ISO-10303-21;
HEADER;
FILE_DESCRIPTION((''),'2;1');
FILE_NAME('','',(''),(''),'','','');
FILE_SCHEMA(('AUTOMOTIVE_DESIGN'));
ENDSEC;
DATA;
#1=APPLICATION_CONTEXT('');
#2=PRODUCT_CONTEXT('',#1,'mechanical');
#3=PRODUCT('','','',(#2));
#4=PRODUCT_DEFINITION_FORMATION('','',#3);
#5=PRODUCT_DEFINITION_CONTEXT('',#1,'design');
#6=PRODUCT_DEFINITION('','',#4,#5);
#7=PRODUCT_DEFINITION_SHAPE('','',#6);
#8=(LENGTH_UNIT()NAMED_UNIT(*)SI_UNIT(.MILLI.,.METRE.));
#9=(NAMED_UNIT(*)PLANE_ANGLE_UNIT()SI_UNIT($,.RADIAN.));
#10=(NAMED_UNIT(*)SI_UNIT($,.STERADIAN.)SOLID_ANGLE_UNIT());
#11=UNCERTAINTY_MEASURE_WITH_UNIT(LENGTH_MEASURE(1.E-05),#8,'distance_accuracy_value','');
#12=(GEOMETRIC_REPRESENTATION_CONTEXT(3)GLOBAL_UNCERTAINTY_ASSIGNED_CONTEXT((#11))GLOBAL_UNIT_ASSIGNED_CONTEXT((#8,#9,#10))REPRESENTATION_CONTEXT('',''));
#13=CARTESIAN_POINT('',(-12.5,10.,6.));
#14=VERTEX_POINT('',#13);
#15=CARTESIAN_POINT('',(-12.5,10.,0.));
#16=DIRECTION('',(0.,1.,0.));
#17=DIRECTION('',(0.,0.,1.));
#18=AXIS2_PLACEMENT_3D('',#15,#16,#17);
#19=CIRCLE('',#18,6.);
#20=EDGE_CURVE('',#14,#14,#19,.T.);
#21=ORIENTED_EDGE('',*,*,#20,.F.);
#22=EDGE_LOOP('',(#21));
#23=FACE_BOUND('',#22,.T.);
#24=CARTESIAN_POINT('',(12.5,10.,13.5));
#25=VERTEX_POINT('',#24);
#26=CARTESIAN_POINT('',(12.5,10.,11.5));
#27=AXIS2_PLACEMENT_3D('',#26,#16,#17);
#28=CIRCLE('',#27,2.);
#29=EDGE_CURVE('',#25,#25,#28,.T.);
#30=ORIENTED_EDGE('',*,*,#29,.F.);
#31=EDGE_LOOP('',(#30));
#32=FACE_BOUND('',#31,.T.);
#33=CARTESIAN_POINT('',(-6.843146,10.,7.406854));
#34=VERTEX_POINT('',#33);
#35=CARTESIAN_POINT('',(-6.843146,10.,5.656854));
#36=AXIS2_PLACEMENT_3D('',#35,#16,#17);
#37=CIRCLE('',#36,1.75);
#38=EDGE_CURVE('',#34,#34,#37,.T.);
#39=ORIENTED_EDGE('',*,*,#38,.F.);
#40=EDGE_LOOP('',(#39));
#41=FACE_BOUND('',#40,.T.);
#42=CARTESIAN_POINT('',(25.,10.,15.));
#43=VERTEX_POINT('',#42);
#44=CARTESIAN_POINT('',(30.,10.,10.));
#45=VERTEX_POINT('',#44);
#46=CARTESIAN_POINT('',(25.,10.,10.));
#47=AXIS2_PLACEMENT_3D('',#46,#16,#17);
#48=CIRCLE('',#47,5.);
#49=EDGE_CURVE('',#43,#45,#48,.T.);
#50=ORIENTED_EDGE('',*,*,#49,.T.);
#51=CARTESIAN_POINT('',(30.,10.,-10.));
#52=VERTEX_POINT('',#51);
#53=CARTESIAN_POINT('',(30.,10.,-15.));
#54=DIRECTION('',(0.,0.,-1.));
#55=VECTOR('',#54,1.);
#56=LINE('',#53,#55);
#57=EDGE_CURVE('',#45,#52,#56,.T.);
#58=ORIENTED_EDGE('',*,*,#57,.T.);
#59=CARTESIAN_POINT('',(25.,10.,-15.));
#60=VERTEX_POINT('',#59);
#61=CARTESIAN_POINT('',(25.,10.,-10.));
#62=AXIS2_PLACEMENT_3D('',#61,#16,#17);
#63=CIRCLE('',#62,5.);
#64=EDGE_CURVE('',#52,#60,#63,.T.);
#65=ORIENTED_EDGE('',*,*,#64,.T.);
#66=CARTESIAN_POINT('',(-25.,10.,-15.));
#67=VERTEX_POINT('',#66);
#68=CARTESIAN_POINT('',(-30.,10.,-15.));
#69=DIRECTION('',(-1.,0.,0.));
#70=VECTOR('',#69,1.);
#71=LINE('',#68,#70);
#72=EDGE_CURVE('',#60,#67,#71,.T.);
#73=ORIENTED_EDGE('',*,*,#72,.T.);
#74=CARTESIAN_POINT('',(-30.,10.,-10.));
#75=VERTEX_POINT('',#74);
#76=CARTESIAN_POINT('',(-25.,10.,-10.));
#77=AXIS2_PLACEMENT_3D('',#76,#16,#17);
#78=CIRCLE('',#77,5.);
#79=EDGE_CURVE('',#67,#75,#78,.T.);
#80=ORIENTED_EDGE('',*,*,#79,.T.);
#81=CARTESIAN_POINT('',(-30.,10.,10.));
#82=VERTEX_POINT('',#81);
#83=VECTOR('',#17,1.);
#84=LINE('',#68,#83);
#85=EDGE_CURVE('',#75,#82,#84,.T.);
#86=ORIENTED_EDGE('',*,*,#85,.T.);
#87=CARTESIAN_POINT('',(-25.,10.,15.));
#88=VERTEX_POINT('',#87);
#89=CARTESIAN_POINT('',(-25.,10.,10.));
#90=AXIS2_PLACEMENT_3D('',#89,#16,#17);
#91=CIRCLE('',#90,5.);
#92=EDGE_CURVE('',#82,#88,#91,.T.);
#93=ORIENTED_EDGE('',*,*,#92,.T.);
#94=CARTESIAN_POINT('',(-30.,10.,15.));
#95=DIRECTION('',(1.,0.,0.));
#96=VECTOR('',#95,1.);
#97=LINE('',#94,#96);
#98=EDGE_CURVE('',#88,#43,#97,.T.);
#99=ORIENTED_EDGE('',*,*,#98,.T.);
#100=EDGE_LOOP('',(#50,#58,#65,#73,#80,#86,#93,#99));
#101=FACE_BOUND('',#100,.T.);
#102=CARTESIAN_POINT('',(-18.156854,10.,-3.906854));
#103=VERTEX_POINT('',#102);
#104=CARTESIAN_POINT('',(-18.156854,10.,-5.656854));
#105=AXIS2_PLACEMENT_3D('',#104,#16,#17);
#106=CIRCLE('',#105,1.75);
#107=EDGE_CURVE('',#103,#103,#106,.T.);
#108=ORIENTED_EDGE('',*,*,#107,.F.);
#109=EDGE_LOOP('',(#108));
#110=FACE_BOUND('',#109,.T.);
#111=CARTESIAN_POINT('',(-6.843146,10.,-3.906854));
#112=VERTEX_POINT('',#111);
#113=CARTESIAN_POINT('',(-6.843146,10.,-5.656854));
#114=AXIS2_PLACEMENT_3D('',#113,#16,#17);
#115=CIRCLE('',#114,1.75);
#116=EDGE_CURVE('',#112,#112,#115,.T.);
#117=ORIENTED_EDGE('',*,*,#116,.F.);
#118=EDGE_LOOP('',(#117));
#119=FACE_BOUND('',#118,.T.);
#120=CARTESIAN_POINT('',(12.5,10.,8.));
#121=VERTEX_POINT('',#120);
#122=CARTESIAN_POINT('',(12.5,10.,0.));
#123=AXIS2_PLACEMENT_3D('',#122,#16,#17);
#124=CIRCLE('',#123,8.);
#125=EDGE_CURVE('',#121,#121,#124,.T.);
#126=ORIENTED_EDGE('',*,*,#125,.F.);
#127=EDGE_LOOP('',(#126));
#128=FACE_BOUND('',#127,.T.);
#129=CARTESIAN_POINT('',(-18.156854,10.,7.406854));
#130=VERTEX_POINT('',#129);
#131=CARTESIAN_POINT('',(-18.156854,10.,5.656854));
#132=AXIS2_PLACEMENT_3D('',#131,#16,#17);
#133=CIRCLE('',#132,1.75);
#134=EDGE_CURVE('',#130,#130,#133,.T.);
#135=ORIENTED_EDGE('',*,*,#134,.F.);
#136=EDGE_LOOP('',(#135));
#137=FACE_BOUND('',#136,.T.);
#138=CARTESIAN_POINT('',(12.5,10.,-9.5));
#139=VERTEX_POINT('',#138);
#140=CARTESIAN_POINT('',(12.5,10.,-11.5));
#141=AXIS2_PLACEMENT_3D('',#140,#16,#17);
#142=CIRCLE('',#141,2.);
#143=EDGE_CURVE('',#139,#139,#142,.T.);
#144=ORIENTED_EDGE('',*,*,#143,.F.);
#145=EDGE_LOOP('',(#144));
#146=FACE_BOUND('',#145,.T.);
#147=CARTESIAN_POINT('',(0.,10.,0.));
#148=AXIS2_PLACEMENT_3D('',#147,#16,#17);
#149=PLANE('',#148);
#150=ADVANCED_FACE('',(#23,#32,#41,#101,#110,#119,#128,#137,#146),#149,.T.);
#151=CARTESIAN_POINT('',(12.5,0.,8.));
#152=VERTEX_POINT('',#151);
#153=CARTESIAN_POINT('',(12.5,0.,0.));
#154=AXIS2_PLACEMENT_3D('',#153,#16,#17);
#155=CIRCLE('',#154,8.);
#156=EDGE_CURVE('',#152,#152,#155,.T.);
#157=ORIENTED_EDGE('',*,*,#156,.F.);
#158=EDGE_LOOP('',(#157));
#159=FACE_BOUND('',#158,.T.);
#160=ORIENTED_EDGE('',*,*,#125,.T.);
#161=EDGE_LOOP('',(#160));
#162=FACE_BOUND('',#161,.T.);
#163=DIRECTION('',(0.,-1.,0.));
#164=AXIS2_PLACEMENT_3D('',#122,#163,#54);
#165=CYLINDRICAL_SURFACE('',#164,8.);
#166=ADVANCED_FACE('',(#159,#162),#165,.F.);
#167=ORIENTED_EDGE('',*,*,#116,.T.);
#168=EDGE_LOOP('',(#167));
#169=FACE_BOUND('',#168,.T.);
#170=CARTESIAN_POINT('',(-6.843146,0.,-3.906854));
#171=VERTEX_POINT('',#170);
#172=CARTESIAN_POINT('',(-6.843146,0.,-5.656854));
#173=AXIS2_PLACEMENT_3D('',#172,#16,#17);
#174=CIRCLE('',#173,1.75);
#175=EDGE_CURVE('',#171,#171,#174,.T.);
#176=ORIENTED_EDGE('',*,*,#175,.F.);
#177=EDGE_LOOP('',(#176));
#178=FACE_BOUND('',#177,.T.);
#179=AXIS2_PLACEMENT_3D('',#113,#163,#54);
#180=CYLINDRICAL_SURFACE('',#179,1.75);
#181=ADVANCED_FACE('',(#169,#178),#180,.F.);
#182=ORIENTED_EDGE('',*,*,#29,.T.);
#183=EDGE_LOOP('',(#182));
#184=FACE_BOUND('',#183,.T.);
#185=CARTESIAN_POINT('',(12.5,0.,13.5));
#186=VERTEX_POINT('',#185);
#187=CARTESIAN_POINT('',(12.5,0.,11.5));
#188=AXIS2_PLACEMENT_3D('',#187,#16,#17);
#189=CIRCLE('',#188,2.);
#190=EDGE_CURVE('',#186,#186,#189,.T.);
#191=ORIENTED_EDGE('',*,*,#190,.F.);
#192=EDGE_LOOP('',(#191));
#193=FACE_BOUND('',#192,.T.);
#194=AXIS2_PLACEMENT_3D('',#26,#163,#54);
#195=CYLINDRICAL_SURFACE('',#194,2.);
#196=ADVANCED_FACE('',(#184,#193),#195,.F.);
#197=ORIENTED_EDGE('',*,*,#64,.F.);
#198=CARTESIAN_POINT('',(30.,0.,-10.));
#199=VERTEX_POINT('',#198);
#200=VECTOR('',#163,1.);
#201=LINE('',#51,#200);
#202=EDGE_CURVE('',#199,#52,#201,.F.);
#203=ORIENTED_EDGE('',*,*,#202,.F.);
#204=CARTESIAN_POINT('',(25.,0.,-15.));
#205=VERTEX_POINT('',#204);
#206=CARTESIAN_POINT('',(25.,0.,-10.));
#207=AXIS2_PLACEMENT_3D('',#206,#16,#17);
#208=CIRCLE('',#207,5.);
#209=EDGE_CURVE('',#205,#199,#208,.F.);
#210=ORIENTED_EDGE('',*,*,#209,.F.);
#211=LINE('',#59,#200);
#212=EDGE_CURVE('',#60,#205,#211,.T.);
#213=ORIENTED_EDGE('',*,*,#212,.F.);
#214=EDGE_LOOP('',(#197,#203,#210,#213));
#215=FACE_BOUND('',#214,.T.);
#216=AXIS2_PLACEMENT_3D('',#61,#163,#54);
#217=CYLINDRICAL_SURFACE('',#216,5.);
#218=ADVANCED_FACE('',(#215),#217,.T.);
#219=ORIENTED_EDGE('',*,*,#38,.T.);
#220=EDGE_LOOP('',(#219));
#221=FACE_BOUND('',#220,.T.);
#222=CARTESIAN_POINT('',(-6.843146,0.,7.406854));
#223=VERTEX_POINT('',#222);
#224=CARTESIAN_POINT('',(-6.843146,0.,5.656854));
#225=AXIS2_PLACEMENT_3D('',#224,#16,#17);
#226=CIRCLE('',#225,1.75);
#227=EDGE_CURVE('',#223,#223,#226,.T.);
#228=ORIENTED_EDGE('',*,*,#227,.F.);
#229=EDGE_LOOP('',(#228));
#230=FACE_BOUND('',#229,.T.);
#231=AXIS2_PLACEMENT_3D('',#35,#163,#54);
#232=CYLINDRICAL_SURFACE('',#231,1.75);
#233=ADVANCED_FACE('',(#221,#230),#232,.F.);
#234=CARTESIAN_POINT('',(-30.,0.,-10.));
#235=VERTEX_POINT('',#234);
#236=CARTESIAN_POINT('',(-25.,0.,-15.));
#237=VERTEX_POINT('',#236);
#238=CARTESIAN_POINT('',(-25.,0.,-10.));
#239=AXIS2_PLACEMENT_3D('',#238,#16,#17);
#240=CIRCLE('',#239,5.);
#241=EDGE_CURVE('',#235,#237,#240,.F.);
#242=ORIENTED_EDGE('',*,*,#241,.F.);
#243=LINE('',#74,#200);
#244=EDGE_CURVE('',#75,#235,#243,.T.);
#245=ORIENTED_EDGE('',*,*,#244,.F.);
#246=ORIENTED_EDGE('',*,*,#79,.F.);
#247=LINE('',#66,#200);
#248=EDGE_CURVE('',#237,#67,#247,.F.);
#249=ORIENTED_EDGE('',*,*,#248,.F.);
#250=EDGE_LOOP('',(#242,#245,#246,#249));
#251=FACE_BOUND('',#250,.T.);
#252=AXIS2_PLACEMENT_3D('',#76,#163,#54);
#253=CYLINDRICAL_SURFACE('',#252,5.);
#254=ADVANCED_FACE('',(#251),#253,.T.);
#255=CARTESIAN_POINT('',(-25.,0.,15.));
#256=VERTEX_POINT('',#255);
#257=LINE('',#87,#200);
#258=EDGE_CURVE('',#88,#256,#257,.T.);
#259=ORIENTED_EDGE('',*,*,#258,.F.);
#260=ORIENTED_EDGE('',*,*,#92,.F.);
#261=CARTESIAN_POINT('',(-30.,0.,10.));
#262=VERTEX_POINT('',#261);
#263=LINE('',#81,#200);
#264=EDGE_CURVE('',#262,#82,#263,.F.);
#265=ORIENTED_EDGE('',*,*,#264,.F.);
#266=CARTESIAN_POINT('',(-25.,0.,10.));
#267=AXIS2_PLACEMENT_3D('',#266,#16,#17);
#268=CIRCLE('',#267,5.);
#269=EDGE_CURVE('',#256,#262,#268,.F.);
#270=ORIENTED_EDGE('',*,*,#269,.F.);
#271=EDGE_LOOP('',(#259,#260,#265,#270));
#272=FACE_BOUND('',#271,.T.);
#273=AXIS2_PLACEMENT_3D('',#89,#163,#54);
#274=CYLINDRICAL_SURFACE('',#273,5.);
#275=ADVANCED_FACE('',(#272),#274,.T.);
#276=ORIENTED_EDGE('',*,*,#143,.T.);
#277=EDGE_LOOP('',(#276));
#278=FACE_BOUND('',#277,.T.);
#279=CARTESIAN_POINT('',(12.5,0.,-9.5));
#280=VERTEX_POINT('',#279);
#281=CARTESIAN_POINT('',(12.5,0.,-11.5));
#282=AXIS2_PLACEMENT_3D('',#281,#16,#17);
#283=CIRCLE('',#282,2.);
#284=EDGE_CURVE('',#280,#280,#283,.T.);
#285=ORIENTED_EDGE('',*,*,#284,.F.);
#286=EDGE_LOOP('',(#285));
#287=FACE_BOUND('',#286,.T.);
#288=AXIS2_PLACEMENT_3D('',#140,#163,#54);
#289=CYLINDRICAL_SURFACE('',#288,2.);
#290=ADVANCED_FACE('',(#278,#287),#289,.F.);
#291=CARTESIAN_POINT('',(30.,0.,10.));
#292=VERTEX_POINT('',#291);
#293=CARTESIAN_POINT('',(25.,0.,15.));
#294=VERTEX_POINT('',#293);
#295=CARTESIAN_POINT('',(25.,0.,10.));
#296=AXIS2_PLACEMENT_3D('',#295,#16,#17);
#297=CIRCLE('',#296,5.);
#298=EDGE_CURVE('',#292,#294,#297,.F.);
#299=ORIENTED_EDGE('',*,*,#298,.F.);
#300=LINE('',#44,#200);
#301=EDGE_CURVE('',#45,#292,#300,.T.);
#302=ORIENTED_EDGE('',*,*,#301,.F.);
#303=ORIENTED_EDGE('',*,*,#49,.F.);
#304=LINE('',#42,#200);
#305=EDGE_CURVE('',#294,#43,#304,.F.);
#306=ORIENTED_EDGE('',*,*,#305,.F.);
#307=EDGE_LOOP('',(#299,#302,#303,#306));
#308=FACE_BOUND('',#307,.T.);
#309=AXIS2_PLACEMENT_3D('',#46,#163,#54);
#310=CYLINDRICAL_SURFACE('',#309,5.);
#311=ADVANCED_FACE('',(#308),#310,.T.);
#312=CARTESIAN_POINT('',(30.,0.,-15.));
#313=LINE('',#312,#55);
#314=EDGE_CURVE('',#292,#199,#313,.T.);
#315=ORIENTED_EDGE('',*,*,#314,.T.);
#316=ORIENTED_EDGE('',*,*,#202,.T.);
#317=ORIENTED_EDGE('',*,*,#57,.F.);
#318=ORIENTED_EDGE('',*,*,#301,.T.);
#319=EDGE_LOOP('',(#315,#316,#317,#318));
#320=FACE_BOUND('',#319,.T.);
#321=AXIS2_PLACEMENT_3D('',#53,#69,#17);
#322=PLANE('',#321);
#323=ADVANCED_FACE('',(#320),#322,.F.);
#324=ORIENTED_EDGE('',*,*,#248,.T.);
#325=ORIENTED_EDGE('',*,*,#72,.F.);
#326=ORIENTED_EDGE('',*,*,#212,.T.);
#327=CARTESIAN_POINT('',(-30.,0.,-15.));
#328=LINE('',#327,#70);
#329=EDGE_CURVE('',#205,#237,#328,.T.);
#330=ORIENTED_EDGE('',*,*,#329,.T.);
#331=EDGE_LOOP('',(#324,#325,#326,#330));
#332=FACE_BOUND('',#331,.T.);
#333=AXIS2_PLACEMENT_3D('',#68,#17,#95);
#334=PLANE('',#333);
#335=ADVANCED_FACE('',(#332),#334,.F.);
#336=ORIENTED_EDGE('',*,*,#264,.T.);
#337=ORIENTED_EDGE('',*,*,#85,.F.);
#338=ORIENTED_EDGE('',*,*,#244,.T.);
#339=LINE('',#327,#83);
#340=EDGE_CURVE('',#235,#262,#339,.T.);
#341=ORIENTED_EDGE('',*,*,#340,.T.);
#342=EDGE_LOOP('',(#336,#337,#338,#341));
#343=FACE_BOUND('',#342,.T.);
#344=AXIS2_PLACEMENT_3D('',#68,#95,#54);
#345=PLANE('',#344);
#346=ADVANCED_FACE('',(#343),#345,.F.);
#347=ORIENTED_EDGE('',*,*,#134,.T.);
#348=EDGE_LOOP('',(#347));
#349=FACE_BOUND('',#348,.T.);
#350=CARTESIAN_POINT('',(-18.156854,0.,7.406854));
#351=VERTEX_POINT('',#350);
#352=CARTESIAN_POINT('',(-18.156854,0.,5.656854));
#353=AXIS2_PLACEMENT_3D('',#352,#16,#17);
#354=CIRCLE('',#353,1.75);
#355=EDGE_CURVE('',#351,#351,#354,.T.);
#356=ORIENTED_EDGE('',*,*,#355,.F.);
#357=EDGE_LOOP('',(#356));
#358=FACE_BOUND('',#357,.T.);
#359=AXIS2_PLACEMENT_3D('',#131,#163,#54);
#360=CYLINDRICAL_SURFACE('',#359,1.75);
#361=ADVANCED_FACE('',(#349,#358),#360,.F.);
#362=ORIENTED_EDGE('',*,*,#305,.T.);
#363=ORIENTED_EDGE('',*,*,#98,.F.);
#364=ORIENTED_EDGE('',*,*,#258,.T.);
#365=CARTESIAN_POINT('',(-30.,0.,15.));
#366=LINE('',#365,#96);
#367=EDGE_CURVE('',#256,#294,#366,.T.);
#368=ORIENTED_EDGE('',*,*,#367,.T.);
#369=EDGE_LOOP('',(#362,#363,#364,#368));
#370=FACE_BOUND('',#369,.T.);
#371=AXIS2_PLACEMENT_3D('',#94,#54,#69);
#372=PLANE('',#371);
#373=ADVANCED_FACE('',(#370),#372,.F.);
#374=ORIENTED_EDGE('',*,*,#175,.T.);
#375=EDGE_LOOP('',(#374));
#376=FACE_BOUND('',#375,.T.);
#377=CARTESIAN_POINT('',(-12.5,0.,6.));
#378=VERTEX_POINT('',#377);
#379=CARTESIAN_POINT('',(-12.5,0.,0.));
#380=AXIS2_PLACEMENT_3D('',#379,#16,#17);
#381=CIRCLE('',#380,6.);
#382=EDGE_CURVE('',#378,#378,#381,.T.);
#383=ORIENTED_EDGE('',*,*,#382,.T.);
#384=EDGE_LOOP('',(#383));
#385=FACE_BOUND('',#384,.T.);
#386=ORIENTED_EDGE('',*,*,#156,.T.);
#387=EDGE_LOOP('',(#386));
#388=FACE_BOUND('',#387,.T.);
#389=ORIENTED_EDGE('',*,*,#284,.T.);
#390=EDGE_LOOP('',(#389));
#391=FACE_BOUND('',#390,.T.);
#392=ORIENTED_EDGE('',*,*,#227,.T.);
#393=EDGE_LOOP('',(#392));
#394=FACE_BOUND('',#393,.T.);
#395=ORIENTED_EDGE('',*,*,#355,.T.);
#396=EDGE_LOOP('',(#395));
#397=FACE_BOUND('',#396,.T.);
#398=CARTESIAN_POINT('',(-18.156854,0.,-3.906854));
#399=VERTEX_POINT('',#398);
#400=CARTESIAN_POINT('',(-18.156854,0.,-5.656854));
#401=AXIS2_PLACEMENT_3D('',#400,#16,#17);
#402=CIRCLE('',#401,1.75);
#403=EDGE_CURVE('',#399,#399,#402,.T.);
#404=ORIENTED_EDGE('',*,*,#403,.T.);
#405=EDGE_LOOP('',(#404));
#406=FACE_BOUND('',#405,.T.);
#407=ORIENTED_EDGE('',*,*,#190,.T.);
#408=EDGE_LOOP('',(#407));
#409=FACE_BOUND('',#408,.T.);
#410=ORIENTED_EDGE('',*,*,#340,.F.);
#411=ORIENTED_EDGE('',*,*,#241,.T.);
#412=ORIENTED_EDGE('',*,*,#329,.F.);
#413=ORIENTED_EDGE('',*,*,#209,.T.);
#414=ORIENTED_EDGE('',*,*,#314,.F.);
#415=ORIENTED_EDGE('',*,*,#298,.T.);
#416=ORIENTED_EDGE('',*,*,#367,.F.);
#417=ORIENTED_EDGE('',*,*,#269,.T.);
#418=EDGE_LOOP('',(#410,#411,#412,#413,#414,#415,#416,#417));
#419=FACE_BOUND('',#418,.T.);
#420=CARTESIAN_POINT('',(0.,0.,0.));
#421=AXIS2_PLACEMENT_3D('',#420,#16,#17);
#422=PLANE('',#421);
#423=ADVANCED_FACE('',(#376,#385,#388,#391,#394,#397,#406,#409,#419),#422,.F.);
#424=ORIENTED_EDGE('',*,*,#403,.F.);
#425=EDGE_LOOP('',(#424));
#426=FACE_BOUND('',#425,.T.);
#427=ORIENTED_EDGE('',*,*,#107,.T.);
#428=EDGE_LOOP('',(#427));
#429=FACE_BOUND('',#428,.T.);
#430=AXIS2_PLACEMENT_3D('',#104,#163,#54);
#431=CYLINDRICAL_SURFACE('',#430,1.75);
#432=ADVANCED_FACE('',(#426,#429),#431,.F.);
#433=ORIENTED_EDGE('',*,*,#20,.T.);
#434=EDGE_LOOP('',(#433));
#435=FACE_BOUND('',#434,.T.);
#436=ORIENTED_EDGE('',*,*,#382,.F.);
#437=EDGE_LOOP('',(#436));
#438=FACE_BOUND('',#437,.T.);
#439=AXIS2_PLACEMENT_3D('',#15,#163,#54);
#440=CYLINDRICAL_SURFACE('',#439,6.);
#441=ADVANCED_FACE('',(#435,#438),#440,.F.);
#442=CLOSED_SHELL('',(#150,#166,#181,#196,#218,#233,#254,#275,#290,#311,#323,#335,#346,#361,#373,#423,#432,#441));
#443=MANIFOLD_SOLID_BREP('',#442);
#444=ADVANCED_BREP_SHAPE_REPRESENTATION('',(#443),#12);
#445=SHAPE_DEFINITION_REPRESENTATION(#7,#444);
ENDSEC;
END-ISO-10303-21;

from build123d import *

# Parameters (mm, degrees)
SKETCH1_W           = 60
SKETCH1_H           = 30
SKETCH1_R           = 8
SKETCH1_R_2         = 6
SKETCH1_R_3         = 1.75
SKETCH1_R_4         = 2
BOSS_EXTRUDE1_DEPTH = 10
FILLET1_R           = 5


with BuildPart() as part:
    # Sketch1 → Boss-Extrude1 (new body)
    with BuildSketch(Plane(origin=(0, 0, 0), x_dir=(1, 0, 0), z_dir=(0, 1, 0))):
        Rectangle(SKETCH1_W, SKETCH1_H)
        with Locations(Location((12.5, 0, 0), (0, 0, 270))):
            Circle(SKETCH1_R, mode=Mode.SUBTRACT)
        with Locations(Location((-12.5, 0, 0), (0, 0, 270))):
            Circle(SKETCH1_R_2, mode=Mode.SUBTRACT)
        with Locations(Location((-18.156854249, 5.656854249, 0), (0, 0, 270))):
            Circle(SKETCH1_R_3, mode=Mode.SUBTRACT)
        with Locations(Location((-6.843145751, 5.656854249, 0), (0, 0, 270))):
            Circle(SKETCH1_R_3, mode=Mode.SUBTRACT)
        with Locations(Location((-6.843145751, -5.656854249, 0), (0, 0, 270))):
            Circle(SKETCH1_R_3, mode=Mode.SUBTRACT)
        with Locations(Location((-18.156854249, -5.656854249, 0), (0, 0, 270))):
            Circle(SKETCH1_R_3, mode=Mode.SUBTRACT)
        with Locations(Location((12.5, -11.5, 0), (0, 0, 270))):
            Circle(SKETCH1_R_4, mode=Mode.SUBTRACT)
        with Locations(Location((12.5, 11.5, 0), (0, 0, 270))):
            Circle(SKETCH1_R_4, mode=Mode.SUBTRACT)
    extrude(amount=BOSS_EXTRUDE1_DEPTH)

    # Fillet1
    fillet1_edges = [part.edges().sort_by_distance(p)[0] for p in [
        (30, 5, 15),
        (-30, 5, 15),
        (-30, 5, -15),
        (30, 5, -15),
    ]]
    fillet(fillet1_edges, radius=FILLET1_R)


solid = part.part
